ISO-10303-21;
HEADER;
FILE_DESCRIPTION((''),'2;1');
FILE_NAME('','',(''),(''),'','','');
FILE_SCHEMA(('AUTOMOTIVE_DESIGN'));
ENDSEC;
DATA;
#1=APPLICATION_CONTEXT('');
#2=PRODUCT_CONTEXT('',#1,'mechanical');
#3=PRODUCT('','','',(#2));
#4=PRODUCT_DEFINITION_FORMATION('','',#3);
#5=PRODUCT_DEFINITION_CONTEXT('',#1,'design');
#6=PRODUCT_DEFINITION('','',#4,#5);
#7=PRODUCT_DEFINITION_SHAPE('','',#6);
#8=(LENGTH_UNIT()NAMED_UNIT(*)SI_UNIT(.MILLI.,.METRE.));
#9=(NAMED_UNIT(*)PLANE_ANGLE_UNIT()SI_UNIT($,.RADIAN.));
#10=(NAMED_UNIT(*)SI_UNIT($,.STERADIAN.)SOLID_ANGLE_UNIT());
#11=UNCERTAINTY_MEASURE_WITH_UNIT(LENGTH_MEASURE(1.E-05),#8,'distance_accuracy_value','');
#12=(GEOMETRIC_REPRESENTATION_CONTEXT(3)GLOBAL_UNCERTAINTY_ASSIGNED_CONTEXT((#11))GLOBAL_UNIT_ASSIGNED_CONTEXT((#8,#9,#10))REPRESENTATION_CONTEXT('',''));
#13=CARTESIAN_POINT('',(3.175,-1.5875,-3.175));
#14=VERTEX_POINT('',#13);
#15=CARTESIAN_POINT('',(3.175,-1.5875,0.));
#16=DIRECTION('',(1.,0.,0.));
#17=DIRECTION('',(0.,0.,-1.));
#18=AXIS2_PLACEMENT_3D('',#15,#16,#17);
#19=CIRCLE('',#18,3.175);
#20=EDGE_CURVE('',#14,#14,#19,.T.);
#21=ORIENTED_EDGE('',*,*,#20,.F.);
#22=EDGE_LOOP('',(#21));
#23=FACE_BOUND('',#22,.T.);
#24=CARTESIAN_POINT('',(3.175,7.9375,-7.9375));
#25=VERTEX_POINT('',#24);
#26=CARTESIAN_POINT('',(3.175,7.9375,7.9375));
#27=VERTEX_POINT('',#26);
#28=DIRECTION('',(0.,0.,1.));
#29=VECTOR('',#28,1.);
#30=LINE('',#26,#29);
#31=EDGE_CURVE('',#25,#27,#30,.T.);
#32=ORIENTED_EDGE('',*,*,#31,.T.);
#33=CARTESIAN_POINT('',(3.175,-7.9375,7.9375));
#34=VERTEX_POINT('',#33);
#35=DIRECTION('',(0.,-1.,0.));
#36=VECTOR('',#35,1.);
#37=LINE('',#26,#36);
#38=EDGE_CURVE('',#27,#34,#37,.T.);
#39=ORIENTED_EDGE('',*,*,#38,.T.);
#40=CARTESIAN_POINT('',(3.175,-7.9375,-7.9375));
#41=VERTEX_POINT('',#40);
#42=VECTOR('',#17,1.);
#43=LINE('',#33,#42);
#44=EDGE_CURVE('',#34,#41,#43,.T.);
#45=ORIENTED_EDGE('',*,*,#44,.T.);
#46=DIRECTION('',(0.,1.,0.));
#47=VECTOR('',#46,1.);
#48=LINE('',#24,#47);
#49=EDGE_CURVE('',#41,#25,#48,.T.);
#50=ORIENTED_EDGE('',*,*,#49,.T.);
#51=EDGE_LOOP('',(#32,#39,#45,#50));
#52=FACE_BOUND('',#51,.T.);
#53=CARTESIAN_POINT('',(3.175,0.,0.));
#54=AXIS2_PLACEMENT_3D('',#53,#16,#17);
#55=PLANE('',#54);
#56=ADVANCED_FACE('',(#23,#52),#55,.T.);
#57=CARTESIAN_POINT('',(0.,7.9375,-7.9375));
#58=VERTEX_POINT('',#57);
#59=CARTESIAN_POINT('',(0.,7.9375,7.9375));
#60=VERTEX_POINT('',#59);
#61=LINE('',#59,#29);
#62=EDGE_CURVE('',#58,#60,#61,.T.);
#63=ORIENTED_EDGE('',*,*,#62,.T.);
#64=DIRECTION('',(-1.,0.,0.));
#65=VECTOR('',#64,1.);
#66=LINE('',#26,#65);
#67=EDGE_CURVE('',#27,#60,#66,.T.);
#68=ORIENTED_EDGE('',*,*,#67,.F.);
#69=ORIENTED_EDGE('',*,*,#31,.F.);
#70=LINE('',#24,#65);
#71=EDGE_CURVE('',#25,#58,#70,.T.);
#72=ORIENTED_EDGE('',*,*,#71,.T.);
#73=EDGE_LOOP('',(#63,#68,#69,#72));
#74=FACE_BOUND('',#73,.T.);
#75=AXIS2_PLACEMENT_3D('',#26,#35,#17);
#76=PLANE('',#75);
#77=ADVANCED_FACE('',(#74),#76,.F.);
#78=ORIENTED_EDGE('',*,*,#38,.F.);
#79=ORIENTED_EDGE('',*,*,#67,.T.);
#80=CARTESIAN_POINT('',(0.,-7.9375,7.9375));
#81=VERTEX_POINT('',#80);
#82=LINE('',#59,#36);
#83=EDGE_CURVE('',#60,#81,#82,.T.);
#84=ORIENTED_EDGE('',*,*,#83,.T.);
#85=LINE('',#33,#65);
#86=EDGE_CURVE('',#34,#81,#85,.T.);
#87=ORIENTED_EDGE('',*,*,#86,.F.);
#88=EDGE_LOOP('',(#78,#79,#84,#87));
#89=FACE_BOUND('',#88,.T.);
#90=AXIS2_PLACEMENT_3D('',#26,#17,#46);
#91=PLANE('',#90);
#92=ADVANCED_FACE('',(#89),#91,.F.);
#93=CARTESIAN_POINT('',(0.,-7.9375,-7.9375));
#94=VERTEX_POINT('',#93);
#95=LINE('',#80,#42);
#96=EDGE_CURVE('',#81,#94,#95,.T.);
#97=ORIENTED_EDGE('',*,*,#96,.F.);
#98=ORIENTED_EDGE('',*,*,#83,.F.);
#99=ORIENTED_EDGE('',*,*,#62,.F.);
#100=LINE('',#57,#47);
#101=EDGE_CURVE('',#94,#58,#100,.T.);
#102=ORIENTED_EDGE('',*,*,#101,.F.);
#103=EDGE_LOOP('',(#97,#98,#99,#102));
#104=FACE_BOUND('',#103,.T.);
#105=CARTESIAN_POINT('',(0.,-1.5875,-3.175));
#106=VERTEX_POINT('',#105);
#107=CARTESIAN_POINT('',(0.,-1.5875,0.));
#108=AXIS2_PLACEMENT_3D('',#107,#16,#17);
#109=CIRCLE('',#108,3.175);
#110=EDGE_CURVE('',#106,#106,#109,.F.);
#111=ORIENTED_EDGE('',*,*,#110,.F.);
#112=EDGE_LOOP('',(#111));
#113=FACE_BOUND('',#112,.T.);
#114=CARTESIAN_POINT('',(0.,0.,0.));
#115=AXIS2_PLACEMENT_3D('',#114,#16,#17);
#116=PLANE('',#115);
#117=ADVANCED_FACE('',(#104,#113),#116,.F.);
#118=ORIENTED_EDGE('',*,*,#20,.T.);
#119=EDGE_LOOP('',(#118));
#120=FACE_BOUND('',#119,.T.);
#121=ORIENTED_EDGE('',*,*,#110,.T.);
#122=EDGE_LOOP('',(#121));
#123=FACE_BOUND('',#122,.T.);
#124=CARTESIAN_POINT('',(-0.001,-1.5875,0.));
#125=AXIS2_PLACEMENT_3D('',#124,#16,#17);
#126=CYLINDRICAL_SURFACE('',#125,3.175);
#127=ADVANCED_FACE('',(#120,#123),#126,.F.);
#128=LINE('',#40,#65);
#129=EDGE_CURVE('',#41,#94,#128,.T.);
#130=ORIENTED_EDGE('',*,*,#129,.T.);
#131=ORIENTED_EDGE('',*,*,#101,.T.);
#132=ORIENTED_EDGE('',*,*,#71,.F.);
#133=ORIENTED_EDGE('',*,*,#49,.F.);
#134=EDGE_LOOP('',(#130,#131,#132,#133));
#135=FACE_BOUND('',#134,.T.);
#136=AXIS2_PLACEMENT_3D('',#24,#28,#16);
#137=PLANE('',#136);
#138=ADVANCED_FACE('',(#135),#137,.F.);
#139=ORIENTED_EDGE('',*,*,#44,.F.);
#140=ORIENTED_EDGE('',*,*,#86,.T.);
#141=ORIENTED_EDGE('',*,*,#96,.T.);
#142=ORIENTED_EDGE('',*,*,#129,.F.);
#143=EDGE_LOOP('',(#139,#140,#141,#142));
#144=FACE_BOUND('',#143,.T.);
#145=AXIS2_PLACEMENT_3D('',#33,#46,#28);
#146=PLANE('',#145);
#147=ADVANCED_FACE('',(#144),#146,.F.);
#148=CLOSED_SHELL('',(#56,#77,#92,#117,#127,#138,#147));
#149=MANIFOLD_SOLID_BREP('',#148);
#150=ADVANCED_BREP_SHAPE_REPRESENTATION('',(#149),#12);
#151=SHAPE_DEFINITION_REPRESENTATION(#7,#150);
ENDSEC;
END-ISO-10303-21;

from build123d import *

# Parameters (mm, degrees)
SKETCH1_W           = 15.875
SKETCH1_H           = 15.875
BOSS_EXTRUDE1_DEPTH = 3.175
CUT_EXTRUDE1_REACH  = 13.666
SKETCH2_R           = 3.175


with BuildPart() as part:
    # Sketch1 → Boss-Extrude1 (new body)
    with BuildSketch(Plane(origin=(0, 0, 0), x_dir=(0, 0, -1), z_dir=(1, 0, 0))):
        Rectangle(SKETCH1_W, SKETCH1_H)
    extrude(amount=BOSS_EXTRUDE1_DEPTH)

    # Sketch2 → Cut-Extrude1 (cut, up to next)
    with BuildSketch(Plane(origin=(3.175, 0, 0), x_dir=(0, 0, -1), z_dir=(1, 0, 0)), mode=Mode.PRIVATE) as cut_extrude1_sk1:
        with Locations((0, -1.5875)):
            Circle(SKETCH2_R)
    cut_extrude1_tool1 = extrude(cut_extrude1_sk1.sketch, amount=-CUT_EXTRUDE1_REACH, mode=Mode.PRIVATE) & part.part
    add(cut_extrude1_tool1.solids().sort_by_distance((3.175, -1.5875, 0))[0], mode=Mode.SUBTRACT)


solid = part.part
